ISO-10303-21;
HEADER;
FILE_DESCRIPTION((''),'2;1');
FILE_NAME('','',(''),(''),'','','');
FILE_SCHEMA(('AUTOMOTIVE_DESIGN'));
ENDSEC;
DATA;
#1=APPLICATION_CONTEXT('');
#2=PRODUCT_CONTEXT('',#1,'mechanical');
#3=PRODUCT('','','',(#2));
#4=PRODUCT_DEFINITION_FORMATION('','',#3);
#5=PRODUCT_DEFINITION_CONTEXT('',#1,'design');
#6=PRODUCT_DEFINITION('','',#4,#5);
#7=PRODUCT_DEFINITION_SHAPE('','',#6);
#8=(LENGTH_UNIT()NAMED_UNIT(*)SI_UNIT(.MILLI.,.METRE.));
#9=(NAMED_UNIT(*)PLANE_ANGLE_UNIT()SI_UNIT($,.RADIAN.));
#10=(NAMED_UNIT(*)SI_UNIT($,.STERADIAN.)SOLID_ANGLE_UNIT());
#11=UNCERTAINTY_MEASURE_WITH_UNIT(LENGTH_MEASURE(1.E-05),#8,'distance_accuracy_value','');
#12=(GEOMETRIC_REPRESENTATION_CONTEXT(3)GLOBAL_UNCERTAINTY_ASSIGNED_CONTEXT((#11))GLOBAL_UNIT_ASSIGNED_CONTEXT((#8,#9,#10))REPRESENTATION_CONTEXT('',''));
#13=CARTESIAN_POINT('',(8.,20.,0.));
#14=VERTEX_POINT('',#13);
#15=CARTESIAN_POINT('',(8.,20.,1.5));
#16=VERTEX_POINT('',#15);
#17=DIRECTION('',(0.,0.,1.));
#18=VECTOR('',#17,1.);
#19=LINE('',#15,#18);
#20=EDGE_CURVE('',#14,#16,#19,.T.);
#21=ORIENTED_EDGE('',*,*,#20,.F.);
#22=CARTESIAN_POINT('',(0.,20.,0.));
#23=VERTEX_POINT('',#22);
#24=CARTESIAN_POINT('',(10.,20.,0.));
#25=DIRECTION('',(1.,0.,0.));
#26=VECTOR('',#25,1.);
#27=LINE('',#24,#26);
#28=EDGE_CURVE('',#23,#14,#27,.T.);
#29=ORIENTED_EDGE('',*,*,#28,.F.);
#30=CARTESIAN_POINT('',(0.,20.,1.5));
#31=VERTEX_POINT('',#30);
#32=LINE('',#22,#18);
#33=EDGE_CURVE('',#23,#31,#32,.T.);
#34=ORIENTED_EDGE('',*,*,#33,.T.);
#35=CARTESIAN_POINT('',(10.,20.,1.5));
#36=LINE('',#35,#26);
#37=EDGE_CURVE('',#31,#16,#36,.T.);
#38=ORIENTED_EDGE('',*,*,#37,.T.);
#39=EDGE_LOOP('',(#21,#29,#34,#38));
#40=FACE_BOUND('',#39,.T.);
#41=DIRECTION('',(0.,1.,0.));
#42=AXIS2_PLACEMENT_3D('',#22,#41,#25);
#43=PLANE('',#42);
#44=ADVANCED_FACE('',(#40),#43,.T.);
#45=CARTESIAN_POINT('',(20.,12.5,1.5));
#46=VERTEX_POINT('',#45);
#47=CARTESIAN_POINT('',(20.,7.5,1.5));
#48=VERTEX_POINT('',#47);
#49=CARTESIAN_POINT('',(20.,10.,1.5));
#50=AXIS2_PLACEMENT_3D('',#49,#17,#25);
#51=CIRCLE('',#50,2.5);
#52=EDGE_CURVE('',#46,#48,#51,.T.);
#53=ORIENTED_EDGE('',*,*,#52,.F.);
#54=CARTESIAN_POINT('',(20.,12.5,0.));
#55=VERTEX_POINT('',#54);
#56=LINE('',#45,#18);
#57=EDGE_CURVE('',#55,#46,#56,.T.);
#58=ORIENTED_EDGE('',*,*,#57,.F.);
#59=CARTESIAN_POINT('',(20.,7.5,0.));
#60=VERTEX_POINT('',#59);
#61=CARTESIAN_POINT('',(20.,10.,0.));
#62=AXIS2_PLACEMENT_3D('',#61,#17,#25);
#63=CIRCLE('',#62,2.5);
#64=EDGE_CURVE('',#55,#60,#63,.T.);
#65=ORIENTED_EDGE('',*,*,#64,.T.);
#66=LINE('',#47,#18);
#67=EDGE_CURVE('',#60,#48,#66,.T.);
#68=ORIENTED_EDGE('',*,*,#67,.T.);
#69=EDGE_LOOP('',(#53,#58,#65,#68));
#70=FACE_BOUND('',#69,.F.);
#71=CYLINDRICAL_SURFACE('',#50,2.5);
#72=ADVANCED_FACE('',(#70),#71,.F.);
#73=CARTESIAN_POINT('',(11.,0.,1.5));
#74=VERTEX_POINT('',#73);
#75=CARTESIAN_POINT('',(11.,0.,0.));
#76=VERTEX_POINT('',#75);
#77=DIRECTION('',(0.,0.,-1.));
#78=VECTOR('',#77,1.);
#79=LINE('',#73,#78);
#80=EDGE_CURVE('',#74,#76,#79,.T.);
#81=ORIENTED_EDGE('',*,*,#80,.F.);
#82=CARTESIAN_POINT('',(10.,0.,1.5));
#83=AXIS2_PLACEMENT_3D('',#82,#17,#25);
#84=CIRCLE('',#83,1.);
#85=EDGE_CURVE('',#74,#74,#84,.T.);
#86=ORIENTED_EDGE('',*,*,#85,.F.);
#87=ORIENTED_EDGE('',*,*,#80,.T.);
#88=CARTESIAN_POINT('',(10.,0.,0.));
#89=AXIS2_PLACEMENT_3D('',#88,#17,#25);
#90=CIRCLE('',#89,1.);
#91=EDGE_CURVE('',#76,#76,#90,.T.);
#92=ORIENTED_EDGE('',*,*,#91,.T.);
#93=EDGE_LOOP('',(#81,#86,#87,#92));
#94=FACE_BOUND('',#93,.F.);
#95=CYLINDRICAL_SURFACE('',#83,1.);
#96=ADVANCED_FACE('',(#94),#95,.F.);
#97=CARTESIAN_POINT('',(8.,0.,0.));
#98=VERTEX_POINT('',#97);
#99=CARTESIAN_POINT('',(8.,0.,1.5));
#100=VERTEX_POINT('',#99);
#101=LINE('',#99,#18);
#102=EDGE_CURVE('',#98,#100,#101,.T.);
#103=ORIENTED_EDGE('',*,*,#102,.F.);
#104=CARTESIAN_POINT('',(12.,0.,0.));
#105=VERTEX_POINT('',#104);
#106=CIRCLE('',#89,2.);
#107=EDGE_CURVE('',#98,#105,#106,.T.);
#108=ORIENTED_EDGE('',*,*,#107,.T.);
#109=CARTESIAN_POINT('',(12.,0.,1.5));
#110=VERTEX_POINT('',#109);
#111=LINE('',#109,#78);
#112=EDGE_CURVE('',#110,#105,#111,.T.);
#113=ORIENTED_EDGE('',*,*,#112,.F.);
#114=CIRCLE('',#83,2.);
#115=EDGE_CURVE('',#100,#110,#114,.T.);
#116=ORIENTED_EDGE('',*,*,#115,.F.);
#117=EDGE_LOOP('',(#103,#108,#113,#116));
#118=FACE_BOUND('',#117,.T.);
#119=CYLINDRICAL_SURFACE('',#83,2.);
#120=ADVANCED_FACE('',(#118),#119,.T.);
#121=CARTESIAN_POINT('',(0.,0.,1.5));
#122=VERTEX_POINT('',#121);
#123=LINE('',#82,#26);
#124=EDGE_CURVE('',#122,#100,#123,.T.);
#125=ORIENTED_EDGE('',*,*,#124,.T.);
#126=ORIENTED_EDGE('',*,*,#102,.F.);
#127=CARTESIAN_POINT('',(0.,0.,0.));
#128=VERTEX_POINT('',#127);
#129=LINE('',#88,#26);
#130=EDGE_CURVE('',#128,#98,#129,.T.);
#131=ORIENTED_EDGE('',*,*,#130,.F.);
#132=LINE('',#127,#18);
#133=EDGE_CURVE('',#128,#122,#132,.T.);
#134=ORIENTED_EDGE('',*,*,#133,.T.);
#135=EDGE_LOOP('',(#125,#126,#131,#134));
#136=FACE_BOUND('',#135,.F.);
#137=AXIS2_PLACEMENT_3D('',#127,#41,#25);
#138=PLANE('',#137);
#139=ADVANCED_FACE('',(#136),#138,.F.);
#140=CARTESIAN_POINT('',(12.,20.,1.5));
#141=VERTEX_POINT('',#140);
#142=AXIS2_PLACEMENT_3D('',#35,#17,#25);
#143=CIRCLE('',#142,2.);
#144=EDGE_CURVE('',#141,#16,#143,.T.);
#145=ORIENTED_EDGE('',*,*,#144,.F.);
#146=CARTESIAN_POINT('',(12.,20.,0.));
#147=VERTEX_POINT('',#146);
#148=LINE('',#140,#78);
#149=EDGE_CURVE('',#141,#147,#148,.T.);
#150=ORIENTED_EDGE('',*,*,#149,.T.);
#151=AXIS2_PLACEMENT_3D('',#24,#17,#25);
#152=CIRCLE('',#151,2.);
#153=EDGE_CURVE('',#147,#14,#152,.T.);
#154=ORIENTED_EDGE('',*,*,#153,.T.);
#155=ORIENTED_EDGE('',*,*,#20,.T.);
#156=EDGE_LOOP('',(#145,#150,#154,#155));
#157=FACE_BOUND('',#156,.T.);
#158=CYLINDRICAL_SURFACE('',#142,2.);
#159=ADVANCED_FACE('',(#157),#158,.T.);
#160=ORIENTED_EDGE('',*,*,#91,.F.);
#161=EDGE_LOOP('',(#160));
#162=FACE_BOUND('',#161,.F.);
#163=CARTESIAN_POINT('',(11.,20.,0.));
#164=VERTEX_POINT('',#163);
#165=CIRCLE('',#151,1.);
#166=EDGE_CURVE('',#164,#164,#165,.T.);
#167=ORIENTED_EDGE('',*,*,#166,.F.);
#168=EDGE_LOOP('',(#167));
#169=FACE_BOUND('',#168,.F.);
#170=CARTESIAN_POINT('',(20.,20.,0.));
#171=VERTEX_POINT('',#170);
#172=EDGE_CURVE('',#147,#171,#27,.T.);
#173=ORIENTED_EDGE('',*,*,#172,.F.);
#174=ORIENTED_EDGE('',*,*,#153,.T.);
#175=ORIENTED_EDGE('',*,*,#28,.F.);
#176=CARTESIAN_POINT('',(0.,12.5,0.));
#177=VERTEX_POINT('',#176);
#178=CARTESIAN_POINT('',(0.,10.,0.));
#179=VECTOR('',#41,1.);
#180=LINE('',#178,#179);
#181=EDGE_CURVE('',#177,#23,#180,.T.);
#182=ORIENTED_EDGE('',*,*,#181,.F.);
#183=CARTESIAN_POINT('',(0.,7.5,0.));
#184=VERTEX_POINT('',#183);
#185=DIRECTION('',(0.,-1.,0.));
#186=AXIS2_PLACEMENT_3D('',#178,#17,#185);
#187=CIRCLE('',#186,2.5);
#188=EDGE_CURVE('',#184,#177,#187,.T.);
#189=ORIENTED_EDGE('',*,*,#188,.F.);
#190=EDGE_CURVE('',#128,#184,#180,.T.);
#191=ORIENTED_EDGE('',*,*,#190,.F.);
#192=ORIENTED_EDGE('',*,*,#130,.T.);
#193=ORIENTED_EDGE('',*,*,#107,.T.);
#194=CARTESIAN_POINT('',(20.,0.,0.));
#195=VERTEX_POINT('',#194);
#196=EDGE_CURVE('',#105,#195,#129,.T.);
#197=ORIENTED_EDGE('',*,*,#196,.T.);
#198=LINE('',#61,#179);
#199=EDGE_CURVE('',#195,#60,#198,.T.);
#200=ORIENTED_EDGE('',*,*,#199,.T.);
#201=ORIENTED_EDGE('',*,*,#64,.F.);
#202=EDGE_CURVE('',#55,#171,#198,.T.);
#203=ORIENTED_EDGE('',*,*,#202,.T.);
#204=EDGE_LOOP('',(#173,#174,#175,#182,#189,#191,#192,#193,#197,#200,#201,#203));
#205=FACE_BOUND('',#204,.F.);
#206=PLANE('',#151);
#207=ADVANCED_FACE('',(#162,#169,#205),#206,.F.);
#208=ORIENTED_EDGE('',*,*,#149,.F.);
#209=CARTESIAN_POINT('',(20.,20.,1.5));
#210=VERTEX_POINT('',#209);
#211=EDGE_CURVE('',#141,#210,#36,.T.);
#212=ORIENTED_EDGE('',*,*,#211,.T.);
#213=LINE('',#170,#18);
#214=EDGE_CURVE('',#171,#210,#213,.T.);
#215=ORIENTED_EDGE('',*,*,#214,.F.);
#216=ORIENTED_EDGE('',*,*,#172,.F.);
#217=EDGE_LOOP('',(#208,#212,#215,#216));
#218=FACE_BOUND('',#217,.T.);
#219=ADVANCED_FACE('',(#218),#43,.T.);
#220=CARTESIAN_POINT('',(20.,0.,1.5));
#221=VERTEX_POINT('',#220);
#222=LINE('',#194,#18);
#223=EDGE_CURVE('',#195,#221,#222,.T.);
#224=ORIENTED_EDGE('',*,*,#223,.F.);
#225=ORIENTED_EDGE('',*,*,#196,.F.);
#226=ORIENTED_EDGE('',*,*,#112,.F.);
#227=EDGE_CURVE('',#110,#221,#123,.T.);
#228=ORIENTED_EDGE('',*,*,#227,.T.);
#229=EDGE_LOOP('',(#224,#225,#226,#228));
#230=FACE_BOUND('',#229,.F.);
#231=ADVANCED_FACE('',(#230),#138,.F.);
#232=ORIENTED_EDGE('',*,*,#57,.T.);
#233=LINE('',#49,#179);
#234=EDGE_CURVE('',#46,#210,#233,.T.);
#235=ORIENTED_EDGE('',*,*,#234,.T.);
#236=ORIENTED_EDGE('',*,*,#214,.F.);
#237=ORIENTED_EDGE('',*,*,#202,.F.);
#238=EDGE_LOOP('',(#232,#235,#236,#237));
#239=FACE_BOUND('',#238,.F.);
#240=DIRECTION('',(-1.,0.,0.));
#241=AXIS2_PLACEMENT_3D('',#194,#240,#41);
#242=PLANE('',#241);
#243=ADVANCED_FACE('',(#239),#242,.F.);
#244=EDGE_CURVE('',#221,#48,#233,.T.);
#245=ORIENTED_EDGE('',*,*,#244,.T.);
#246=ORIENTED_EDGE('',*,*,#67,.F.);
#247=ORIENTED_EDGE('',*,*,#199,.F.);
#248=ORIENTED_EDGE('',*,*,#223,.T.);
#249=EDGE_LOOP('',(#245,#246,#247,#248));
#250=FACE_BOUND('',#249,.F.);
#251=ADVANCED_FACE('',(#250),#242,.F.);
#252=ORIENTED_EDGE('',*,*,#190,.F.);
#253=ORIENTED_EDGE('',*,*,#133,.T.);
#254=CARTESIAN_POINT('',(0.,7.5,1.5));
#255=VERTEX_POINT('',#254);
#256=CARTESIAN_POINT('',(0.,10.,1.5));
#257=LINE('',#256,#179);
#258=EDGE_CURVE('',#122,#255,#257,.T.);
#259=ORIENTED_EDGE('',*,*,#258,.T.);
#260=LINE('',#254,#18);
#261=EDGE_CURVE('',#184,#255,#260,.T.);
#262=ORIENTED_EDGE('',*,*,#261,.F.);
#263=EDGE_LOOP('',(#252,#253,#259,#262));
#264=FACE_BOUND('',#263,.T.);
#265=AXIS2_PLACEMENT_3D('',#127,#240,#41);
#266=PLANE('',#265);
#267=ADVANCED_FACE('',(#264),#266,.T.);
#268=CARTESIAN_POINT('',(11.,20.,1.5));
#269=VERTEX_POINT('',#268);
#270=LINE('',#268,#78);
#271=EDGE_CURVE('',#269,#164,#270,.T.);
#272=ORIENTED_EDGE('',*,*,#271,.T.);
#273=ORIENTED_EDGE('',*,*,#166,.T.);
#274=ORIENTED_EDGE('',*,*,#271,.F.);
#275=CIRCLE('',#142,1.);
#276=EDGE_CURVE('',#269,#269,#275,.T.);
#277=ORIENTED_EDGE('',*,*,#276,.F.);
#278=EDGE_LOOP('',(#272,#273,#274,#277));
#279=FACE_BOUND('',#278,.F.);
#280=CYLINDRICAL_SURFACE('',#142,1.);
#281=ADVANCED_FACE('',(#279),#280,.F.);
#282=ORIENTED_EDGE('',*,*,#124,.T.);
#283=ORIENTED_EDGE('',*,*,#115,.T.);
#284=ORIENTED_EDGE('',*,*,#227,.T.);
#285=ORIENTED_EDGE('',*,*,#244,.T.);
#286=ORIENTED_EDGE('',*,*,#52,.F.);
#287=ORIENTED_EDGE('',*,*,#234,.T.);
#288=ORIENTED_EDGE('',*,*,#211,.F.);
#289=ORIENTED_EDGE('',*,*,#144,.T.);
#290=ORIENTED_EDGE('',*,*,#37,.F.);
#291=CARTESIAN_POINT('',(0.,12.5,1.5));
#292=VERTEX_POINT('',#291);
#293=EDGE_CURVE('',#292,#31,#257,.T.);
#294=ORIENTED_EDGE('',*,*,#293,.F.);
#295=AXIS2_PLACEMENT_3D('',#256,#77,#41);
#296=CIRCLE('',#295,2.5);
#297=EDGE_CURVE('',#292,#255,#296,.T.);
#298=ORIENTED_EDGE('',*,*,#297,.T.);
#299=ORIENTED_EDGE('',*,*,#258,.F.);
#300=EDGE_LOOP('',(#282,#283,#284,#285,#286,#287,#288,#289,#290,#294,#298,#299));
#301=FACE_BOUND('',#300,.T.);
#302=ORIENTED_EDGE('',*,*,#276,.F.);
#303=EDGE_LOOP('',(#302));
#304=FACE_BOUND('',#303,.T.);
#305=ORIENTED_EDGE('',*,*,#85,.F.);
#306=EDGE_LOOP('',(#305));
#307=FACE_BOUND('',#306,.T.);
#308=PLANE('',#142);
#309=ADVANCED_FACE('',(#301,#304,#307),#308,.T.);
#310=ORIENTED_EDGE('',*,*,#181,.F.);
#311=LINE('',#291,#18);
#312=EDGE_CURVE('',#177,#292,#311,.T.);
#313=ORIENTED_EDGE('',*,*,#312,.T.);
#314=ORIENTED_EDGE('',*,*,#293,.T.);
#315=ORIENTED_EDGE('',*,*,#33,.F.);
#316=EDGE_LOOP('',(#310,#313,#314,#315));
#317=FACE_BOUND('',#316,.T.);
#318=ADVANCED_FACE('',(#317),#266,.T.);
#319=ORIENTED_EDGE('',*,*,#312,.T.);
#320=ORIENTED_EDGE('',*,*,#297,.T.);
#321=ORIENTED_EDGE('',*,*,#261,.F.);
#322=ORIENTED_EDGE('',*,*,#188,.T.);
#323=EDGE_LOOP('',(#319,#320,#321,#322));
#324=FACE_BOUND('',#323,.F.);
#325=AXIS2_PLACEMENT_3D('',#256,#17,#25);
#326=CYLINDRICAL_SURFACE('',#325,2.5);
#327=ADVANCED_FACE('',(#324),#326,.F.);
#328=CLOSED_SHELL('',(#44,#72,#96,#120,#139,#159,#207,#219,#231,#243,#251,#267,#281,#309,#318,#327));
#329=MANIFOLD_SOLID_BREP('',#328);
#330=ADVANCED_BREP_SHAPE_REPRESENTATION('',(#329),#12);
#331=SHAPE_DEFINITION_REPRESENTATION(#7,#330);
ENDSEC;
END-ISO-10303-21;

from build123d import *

# Parameters (mm, degrees)
BOX_W           = 20
BOX_H           = 20
BOX_DEPTH       = 1.5
SKETCH_R        = 2
PAD_DEPTH       = 1.5
SKETCH001_R     = 1
POCKET_DEPTH    = 5
SKETCH002_R     = 2.5
POCKET001_DEPTH = 5


with BuildPart() as part:
    # Box → Box (new body)
    with BuildSketch(Plane.XY):
        with Locations((10, 10)):
            Rectangle(BOX_W, BOX_H)
    extrude(amount=BOX_DEPTH)

    # Sketch → Pad (new body)
    with BuildSketch(Plane.XY.offset(1.5)):
        with Locations((10, 20)):
            Circle(SKETCH_R)
        with Locations((10, 0)):
            Circle(SKETCH_R)
    extrude(amount=-PAD_DEPTH)

    # Sketch001 → Pocket (cut)
    with BuildSketch(Plane.XY.offset(1.5)):
        with Locations((10, 20)):
            Circle(SKETCH001_R)
        with Locations((10, 0)):
            Circle(SKETCH001_R)
    extrude(amount=-POCKET_DEPTH, mode=Mode.SUBTRACT)

    # Sketch002 → Pocket001 (cut)
    with BuildSketch(Plane.XY.offset(1.5)):
        with Locations((0, 10)):
            Circle(SKETCH002_R)
        with Locations((20, 10)):
            Circle(SKETCH002_R)
    extrude(amount=-POCKET001_DEPTH, mode=Mode.SUBTRACT)


solid = part.part
